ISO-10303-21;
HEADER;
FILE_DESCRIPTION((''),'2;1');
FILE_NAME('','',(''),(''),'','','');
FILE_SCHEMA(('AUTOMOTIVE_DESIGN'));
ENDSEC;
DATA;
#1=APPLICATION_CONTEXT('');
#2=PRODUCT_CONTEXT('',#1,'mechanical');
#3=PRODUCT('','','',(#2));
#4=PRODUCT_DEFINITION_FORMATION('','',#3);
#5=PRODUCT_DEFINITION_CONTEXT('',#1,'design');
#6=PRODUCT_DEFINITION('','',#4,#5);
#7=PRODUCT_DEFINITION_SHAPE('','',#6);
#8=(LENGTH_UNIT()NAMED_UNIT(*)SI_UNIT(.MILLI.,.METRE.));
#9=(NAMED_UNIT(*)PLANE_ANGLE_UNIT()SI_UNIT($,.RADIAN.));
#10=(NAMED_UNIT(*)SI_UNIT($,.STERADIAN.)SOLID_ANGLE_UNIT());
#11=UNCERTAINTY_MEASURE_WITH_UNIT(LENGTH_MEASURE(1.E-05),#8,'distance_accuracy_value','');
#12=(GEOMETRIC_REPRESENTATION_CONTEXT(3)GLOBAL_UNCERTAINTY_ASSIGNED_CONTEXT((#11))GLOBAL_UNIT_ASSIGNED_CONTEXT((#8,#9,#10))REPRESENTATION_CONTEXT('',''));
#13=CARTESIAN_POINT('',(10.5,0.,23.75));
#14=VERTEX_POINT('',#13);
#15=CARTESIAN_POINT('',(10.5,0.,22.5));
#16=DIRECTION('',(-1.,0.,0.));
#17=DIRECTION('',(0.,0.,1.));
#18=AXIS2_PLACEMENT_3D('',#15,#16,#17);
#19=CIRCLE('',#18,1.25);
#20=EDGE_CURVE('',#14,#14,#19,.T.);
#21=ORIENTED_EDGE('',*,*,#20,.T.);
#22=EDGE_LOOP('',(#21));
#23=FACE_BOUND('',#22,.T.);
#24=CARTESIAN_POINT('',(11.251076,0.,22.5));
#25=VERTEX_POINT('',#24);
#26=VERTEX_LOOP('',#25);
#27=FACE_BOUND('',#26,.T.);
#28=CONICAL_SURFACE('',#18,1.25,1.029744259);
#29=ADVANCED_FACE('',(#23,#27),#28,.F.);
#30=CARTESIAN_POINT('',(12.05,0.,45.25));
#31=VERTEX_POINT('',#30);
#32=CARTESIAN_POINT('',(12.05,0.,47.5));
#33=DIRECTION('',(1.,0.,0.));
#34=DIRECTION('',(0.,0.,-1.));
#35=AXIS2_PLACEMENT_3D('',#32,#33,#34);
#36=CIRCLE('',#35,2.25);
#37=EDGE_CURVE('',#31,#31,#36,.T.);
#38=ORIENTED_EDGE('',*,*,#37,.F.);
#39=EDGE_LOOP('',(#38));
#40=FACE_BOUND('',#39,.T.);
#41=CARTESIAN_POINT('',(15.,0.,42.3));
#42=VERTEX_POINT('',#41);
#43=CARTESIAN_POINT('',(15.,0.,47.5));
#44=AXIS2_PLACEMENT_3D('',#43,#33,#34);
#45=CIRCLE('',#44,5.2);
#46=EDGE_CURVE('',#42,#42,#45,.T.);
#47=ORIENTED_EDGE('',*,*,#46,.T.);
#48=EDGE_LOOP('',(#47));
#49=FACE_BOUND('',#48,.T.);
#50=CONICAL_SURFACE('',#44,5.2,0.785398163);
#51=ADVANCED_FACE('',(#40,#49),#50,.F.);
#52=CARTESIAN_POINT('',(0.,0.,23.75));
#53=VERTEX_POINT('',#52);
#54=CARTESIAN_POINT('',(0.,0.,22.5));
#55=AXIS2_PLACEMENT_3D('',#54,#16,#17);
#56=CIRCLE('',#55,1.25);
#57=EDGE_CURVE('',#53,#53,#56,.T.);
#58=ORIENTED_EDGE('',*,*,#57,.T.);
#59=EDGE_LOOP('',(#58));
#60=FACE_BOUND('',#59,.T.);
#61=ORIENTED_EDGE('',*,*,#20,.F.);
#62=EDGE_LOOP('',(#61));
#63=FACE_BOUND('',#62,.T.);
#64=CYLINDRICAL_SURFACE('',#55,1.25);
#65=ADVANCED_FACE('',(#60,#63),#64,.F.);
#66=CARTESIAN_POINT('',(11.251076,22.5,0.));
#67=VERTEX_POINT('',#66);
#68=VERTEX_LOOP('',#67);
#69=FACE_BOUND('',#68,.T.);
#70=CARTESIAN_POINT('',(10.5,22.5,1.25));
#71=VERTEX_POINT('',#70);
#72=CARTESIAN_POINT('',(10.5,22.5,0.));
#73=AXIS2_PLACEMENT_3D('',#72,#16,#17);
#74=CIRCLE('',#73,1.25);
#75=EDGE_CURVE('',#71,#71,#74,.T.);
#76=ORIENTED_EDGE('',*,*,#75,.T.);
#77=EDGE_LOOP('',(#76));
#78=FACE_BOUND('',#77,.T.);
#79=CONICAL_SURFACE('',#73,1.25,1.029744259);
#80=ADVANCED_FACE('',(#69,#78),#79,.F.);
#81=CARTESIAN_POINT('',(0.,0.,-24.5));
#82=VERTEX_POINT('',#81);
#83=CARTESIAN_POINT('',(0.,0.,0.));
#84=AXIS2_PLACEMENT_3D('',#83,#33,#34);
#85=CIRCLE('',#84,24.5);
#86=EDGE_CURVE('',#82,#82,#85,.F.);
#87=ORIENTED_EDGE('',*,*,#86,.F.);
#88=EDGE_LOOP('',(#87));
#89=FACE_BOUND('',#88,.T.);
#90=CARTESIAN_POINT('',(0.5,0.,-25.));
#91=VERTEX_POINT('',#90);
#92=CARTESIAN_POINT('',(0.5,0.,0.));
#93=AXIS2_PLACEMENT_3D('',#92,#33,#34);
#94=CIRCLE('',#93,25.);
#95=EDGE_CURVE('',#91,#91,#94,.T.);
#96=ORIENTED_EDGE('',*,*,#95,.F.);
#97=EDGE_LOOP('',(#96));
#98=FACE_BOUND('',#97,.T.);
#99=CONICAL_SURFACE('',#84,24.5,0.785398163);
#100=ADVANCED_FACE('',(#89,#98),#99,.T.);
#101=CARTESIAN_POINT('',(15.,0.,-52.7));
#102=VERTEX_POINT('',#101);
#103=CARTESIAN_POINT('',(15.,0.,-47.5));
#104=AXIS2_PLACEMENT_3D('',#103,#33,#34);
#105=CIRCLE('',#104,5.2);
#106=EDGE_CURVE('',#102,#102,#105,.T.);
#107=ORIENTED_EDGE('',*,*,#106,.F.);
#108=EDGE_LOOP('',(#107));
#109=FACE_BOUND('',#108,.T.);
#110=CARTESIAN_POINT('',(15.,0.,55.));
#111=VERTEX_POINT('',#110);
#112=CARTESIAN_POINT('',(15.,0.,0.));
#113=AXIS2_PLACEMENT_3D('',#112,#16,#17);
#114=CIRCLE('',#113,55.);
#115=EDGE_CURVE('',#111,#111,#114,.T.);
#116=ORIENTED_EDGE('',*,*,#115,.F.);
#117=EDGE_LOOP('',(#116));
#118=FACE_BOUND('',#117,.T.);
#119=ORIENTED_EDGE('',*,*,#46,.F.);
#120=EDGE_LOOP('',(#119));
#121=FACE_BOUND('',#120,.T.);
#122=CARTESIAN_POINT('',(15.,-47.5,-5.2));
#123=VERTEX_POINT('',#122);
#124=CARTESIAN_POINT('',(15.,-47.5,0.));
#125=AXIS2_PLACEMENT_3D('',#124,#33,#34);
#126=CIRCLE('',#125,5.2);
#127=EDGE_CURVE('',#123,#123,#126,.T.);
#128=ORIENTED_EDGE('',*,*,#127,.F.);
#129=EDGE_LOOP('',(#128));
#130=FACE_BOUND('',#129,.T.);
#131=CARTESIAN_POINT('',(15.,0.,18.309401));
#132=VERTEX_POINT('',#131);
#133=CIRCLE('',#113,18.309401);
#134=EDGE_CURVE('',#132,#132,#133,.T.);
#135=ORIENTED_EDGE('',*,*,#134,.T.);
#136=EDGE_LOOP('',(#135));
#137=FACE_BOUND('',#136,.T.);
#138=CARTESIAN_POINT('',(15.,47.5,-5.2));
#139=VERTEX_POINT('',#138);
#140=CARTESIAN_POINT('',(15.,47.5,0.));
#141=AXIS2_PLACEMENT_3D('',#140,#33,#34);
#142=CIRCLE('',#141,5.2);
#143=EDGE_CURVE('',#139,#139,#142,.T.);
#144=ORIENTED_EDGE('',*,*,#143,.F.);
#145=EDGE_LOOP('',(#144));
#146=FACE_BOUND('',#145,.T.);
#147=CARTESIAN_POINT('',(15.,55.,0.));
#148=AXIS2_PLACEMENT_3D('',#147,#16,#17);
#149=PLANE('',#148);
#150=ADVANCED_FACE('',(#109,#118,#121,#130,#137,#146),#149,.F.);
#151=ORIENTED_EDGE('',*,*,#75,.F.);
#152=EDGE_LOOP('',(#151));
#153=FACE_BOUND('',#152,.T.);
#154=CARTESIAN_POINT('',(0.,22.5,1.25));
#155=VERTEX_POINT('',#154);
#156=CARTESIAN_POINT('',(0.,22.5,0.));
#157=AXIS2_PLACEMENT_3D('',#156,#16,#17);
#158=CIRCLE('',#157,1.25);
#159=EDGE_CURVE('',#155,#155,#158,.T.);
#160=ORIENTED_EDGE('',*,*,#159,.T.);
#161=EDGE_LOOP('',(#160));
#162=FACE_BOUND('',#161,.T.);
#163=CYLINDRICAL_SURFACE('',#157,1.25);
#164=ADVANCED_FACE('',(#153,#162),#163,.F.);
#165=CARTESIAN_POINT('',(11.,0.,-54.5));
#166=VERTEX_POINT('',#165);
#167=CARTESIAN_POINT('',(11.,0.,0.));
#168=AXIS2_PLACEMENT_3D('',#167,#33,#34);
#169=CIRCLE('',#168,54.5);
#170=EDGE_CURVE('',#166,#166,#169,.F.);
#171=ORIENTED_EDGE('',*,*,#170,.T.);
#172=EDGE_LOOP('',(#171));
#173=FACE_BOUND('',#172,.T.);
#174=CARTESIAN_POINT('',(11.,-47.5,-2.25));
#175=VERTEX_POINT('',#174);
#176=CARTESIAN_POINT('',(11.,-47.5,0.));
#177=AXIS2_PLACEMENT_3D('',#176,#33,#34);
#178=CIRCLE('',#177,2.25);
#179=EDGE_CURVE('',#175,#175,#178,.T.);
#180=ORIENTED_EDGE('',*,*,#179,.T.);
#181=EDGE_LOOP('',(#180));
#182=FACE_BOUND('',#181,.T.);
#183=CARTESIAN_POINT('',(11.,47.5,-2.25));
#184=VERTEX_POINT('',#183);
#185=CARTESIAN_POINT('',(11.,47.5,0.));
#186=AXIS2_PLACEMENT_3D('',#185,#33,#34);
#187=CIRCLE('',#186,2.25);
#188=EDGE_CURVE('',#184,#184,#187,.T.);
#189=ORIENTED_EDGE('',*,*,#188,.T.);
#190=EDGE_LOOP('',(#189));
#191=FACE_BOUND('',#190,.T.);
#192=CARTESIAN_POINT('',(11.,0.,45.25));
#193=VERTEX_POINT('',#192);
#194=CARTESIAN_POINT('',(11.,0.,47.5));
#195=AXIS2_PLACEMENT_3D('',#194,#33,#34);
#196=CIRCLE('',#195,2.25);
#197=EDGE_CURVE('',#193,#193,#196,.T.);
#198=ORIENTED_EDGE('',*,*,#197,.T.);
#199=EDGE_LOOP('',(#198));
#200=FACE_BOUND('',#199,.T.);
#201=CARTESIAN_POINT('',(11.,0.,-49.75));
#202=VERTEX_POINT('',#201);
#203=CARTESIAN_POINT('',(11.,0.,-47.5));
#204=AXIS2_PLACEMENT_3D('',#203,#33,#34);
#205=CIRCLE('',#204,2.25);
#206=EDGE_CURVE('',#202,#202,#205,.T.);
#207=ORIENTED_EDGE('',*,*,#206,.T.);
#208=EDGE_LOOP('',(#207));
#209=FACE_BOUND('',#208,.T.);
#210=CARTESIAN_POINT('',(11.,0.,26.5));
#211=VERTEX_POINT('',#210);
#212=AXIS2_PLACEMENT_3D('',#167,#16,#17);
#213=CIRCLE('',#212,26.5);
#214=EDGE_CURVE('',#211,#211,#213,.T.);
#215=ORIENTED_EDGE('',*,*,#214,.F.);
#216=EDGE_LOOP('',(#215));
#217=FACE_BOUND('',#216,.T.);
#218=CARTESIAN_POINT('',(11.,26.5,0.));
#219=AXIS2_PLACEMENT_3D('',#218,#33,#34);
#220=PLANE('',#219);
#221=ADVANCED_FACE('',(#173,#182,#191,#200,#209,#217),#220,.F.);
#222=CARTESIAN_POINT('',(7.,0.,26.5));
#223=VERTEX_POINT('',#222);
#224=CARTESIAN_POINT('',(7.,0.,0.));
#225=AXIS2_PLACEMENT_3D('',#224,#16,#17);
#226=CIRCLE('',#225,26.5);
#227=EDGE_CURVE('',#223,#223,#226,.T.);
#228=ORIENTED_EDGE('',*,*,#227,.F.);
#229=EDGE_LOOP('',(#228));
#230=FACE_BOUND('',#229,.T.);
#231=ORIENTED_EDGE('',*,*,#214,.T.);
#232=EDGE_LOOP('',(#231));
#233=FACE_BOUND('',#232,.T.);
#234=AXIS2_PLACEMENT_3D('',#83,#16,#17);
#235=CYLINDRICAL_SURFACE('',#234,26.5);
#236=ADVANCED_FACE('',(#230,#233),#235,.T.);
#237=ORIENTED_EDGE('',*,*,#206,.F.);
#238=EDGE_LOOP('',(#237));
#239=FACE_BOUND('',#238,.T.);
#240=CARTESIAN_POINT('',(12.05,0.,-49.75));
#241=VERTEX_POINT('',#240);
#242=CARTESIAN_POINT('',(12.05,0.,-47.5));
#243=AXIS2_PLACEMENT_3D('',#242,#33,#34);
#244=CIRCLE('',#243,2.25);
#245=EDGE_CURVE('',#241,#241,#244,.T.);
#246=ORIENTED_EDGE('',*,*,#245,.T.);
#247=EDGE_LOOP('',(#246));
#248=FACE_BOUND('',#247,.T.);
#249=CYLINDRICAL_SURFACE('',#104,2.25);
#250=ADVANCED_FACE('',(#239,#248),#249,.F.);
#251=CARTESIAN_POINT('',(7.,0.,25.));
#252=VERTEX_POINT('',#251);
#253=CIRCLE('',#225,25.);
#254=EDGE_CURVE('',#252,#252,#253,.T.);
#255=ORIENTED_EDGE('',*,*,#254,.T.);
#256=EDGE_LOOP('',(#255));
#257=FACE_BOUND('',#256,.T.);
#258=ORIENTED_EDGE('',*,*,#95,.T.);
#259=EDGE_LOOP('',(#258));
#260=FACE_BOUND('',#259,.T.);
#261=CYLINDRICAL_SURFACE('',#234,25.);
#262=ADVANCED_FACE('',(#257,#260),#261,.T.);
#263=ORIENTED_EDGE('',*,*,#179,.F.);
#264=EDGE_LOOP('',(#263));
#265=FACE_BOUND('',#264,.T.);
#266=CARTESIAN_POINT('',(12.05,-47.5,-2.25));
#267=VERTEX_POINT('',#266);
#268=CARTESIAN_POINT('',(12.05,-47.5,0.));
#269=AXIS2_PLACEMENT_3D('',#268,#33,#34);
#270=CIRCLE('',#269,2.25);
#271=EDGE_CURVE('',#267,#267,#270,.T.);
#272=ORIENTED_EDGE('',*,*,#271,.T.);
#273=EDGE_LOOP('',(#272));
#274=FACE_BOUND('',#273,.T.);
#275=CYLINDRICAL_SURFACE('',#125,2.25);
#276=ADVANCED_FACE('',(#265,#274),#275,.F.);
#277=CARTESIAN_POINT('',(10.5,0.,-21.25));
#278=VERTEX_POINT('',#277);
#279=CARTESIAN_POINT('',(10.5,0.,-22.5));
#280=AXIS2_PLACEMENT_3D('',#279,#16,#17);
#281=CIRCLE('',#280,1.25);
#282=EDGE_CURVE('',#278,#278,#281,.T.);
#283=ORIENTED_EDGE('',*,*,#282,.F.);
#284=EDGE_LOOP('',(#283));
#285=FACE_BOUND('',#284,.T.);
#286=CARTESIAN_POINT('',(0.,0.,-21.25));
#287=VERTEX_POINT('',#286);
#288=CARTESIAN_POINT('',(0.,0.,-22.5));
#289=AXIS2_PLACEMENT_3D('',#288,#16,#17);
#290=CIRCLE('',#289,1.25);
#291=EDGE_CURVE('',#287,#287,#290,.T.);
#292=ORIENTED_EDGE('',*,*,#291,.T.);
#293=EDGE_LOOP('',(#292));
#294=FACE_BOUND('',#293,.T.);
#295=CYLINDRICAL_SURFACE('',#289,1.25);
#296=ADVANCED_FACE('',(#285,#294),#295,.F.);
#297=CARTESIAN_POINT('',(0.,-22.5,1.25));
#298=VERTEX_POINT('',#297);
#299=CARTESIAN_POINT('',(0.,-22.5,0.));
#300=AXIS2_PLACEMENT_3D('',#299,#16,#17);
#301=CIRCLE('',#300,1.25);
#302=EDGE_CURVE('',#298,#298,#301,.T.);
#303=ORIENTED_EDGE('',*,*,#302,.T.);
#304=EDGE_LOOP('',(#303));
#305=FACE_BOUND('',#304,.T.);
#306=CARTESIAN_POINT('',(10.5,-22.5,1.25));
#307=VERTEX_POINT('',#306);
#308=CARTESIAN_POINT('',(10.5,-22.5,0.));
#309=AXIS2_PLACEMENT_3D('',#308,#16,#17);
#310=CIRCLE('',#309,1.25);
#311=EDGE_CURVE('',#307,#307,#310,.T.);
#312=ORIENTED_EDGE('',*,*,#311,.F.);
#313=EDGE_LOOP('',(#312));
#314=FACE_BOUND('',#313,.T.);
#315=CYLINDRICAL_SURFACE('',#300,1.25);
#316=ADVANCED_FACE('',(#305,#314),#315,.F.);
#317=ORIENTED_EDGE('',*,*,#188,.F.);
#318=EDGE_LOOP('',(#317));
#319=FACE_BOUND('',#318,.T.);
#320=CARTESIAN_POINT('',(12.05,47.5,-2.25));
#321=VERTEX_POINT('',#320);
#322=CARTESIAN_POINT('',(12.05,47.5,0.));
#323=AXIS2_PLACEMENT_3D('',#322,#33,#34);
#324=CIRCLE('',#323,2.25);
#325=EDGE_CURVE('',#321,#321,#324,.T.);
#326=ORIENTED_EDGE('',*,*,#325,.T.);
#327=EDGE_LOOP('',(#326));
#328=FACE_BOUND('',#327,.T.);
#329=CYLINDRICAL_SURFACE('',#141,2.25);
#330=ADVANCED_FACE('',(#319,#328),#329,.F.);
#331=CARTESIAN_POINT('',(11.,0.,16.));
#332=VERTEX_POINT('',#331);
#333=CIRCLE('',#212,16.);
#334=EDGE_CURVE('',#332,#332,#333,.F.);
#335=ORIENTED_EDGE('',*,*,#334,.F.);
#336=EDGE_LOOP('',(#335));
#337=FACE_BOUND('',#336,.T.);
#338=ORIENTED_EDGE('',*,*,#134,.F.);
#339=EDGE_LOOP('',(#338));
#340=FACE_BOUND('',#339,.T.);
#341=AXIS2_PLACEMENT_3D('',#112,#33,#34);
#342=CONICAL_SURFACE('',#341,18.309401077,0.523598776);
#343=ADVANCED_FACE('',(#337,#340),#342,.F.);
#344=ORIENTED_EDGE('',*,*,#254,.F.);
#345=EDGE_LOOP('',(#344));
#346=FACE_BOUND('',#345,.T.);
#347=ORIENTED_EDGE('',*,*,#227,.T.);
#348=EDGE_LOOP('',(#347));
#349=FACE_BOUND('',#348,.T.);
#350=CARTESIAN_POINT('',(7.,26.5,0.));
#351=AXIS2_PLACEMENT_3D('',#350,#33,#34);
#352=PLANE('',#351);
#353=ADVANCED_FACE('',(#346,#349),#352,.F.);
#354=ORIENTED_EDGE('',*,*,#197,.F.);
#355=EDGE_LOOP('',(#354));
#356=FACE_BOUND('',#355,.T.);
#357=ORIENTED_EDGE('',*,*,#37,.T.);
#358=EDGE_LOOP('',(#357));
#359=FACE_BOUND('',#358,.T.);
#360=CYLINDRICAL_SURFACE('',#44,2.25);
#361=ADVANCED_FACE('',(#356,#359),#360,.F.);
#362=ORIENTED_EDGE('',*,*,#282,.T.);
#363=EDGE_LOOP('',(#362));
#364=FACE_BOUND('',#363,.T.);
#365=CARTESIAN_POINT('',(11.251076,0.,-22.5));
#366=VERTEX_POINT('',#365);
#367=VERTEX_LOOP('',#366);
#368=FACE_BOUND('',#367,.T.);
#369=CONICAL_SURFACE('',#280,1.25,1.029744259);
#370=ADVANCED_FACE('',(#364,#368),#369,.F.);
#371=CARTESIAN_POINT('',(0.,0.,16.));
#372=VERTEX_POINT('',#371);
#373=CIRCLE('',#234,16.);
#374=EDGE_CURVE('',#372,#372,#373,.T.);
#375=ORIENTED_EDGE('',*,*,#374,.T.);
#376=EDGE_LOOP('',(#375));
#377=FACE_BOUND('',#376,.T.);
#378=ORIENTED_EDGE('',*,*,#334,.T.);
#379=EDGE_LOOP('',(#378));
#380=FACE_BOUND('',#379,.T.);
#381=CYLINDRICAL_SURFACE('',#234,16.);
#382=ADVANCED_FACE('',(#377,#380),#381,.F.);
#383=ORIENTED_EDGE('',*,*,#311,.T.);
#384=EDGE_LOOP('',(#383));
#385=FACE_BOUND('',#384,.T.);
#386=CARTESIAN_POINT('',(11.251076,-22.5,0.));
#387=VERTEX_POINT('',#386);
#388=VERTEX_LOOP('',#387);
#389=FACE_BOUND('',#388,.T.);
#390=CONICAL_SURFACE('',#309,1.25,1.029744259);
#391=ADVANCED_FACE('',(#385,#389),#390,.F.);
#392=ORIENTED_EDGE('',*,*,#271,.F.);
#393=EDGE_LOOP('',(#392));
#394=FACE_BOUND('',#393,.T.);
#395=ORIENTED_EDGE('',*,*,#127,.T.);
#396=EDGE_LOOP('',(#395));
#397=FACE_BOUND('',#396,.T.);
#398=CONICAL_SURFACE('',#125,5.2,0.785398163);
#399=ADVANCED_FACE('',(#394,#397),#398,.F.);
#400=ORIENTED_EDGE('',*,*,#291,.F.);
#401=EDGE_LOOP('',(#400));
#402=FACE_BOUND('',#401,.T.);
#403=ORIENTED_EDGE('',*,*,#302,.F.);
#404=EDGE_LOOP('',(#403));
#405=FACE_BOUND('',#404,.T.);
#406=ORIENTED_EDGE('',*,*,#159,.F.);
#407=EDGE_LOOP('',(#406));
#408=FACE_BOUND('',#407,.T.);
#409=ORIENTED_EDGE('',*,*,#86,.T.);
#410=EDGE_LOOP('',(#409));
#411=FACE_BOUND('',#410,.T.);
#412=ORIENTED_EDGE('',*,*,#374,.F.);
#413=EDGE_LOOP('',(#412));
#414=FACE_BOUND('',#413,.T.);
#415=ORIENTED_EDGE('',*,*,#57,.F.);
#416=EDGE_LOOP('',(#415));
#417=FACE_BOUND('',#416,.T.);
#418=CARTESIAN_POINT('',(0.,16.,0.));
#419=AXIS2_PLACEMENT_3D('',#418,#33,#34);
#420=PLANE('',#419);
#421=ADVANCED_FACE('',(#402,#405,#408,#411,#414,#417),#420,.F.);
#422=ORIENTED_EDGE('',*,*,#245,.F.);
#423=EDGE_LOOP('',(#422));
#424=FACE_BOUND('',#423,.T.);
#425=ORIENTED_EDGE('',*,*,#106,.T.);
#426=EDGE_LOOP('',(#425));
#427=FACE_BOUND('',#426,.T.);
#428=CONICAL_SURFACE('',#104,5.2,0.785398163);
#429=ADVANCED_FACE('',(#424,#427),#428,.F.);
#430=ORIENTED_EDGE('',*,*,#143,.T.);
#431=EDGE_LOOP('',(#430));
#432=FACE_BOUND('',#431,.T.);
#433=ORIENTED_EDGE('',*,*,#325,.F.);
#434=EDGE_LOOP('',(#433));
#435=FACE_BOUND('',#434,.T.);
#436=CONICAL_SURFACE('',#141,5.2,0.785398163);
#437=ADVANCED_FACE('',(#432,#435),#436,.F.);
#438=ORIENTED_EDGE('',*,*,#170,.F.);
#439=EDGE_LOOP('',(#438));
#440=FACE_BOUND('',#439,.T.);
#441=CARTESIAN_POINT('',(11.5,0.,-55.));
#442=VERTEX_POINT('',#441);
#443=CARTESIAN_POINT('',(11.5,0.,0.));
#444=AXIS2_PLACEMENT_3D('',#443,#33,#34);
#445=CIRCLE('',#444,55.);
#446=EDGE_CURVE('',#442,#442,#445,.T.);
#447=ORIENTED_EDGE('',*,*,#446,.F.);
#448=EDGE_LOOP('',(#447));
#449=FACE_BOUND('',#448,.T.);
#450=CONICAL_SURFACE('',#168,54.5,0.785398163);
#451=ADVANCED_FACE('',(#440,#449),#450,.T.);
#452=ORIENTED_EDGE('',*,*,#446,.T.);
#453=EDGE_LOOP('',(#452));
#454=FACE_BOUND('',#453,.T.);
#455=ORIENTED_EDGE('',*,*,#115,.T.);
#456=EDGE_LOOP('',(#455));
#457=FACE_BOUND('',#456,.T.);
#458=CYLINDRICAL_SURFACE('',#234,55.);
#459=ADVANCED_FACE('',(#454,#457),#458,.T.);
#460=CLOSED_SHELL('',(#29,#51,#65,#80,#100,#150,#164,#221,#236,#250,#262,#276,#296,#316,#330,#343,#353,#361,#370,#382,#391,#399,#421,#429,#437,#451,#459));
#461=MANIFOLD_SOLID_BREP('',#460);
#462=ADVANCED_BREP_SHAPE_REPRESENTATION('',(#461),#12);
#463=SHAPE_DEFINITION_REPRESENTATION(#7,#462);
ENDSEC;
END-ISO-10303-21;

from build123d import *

# Parameters (mm, degrees)
FRAISAGE_POUR_VIS_T_TE_FRAIS_E_M42_D           = 4.5
FRAISAGE_POUR_VIS_T_TE_FRAIS_E_M42_CSINK_D     = 10.4
FRAISAGE_POUR_VIS_T_TE_FRAIS_E_M42_CSINK_ANGLE = 90
CHANFREIN1_SIZE                                = 0.5
TROU_TARAUD_M32_D                              = 2.5
TROU_TARAUD_M32_DEPTH                          = 10.5
TROU_TARAUD_M32_TIP                            = 0.751075774
CHANFREIN2_SIZE                                = 4
CHANFREIN2_SIZE2                               = 2.309401077


with BuildPart() as part:
    # Esquisse1 → Révolution1 (revolve)
    with BuildSketch(Plane.XY, mode=Mode.PRIVATE) as r_volution1_sk:
        Polygon((0, 16), (0, 25), (7, 25), (7, 26.5), (11, 26.5), (11, 55), (15, 55), (15, 16), align=None)
    revolve(r_volution1_sk.sketch.rotate(Axis((0, 0, 0), (1, 0, 0)), 90), axis=Axis((0, 0, 0), (1, 0, 0)))

    # Fraisage pour vis à tête fraisée M42 (through all)
    with Locations(Plane(origin=(15, 0, 0), x_dir=(0, 0, -1), z_dir=(1, 0, 0))):
        with Locations((0, 47.5), (47.5, 0), (0, -47.5), (-47.5, 0)):
            CounterSinkHole(FRAISAGE_POUR_VIS_T_TE_FRAIS_E_M42_D / 2, FRAISAGE_POUR_VIS_T_TE_FRAIS_E_M42_CSINK_D / 2, counter_sink_angle=FRAISAGE_POUR_VIS_T_TE_FRAIS_E_M42_CSINK_ANGLE)

    # Chanfrein1
    chanfrein1_edges = [part.edges().sort_by_distance(p)[0] for p in [
        (11, 0, -55),
        (0, 0, -25),
    ]]
    chamfer(chanfrein1_edges, length=CHANFREIN1_SIZE)

    # Trou taraudé M32
    with Locations(Plane.ZY):
        with Locations((0, 22.5), (-22.5, 0), (0, -22.5), (22.5, 0)):
            Hole(TROU_TARAUD_M32_D / 2, depth=TROU_TARAUD_M32_DEPTH)
            with Locations((0, 0, -(TROU_TARAUD_M32_DEPTH + TROU_TARAUD_M32_TIP / 2))):  # 118° drill point
                Cone(0, TROU_TARAUD_M32_D / 2, TROU_TARAUD_M32_TIP, mode=Mode.SUBTRACT)

    # Chanfrein2
    chanfrein2_edges = [part.edges().sort_by_distance(p)[0] for p in [
        (15, 0, -16),
    ]]
    chanfrein2_side = [part.faces().sort_by_distance(p)[0] for p in [
        (7.5, 0, -16),
    ]]
    chamfer(chanfrein2_edges, length=CHANFREIN2_SIZE, length2=CHANFREIN2_SIZE2, reference=chanfrein2_side[0])


solid = part.part
